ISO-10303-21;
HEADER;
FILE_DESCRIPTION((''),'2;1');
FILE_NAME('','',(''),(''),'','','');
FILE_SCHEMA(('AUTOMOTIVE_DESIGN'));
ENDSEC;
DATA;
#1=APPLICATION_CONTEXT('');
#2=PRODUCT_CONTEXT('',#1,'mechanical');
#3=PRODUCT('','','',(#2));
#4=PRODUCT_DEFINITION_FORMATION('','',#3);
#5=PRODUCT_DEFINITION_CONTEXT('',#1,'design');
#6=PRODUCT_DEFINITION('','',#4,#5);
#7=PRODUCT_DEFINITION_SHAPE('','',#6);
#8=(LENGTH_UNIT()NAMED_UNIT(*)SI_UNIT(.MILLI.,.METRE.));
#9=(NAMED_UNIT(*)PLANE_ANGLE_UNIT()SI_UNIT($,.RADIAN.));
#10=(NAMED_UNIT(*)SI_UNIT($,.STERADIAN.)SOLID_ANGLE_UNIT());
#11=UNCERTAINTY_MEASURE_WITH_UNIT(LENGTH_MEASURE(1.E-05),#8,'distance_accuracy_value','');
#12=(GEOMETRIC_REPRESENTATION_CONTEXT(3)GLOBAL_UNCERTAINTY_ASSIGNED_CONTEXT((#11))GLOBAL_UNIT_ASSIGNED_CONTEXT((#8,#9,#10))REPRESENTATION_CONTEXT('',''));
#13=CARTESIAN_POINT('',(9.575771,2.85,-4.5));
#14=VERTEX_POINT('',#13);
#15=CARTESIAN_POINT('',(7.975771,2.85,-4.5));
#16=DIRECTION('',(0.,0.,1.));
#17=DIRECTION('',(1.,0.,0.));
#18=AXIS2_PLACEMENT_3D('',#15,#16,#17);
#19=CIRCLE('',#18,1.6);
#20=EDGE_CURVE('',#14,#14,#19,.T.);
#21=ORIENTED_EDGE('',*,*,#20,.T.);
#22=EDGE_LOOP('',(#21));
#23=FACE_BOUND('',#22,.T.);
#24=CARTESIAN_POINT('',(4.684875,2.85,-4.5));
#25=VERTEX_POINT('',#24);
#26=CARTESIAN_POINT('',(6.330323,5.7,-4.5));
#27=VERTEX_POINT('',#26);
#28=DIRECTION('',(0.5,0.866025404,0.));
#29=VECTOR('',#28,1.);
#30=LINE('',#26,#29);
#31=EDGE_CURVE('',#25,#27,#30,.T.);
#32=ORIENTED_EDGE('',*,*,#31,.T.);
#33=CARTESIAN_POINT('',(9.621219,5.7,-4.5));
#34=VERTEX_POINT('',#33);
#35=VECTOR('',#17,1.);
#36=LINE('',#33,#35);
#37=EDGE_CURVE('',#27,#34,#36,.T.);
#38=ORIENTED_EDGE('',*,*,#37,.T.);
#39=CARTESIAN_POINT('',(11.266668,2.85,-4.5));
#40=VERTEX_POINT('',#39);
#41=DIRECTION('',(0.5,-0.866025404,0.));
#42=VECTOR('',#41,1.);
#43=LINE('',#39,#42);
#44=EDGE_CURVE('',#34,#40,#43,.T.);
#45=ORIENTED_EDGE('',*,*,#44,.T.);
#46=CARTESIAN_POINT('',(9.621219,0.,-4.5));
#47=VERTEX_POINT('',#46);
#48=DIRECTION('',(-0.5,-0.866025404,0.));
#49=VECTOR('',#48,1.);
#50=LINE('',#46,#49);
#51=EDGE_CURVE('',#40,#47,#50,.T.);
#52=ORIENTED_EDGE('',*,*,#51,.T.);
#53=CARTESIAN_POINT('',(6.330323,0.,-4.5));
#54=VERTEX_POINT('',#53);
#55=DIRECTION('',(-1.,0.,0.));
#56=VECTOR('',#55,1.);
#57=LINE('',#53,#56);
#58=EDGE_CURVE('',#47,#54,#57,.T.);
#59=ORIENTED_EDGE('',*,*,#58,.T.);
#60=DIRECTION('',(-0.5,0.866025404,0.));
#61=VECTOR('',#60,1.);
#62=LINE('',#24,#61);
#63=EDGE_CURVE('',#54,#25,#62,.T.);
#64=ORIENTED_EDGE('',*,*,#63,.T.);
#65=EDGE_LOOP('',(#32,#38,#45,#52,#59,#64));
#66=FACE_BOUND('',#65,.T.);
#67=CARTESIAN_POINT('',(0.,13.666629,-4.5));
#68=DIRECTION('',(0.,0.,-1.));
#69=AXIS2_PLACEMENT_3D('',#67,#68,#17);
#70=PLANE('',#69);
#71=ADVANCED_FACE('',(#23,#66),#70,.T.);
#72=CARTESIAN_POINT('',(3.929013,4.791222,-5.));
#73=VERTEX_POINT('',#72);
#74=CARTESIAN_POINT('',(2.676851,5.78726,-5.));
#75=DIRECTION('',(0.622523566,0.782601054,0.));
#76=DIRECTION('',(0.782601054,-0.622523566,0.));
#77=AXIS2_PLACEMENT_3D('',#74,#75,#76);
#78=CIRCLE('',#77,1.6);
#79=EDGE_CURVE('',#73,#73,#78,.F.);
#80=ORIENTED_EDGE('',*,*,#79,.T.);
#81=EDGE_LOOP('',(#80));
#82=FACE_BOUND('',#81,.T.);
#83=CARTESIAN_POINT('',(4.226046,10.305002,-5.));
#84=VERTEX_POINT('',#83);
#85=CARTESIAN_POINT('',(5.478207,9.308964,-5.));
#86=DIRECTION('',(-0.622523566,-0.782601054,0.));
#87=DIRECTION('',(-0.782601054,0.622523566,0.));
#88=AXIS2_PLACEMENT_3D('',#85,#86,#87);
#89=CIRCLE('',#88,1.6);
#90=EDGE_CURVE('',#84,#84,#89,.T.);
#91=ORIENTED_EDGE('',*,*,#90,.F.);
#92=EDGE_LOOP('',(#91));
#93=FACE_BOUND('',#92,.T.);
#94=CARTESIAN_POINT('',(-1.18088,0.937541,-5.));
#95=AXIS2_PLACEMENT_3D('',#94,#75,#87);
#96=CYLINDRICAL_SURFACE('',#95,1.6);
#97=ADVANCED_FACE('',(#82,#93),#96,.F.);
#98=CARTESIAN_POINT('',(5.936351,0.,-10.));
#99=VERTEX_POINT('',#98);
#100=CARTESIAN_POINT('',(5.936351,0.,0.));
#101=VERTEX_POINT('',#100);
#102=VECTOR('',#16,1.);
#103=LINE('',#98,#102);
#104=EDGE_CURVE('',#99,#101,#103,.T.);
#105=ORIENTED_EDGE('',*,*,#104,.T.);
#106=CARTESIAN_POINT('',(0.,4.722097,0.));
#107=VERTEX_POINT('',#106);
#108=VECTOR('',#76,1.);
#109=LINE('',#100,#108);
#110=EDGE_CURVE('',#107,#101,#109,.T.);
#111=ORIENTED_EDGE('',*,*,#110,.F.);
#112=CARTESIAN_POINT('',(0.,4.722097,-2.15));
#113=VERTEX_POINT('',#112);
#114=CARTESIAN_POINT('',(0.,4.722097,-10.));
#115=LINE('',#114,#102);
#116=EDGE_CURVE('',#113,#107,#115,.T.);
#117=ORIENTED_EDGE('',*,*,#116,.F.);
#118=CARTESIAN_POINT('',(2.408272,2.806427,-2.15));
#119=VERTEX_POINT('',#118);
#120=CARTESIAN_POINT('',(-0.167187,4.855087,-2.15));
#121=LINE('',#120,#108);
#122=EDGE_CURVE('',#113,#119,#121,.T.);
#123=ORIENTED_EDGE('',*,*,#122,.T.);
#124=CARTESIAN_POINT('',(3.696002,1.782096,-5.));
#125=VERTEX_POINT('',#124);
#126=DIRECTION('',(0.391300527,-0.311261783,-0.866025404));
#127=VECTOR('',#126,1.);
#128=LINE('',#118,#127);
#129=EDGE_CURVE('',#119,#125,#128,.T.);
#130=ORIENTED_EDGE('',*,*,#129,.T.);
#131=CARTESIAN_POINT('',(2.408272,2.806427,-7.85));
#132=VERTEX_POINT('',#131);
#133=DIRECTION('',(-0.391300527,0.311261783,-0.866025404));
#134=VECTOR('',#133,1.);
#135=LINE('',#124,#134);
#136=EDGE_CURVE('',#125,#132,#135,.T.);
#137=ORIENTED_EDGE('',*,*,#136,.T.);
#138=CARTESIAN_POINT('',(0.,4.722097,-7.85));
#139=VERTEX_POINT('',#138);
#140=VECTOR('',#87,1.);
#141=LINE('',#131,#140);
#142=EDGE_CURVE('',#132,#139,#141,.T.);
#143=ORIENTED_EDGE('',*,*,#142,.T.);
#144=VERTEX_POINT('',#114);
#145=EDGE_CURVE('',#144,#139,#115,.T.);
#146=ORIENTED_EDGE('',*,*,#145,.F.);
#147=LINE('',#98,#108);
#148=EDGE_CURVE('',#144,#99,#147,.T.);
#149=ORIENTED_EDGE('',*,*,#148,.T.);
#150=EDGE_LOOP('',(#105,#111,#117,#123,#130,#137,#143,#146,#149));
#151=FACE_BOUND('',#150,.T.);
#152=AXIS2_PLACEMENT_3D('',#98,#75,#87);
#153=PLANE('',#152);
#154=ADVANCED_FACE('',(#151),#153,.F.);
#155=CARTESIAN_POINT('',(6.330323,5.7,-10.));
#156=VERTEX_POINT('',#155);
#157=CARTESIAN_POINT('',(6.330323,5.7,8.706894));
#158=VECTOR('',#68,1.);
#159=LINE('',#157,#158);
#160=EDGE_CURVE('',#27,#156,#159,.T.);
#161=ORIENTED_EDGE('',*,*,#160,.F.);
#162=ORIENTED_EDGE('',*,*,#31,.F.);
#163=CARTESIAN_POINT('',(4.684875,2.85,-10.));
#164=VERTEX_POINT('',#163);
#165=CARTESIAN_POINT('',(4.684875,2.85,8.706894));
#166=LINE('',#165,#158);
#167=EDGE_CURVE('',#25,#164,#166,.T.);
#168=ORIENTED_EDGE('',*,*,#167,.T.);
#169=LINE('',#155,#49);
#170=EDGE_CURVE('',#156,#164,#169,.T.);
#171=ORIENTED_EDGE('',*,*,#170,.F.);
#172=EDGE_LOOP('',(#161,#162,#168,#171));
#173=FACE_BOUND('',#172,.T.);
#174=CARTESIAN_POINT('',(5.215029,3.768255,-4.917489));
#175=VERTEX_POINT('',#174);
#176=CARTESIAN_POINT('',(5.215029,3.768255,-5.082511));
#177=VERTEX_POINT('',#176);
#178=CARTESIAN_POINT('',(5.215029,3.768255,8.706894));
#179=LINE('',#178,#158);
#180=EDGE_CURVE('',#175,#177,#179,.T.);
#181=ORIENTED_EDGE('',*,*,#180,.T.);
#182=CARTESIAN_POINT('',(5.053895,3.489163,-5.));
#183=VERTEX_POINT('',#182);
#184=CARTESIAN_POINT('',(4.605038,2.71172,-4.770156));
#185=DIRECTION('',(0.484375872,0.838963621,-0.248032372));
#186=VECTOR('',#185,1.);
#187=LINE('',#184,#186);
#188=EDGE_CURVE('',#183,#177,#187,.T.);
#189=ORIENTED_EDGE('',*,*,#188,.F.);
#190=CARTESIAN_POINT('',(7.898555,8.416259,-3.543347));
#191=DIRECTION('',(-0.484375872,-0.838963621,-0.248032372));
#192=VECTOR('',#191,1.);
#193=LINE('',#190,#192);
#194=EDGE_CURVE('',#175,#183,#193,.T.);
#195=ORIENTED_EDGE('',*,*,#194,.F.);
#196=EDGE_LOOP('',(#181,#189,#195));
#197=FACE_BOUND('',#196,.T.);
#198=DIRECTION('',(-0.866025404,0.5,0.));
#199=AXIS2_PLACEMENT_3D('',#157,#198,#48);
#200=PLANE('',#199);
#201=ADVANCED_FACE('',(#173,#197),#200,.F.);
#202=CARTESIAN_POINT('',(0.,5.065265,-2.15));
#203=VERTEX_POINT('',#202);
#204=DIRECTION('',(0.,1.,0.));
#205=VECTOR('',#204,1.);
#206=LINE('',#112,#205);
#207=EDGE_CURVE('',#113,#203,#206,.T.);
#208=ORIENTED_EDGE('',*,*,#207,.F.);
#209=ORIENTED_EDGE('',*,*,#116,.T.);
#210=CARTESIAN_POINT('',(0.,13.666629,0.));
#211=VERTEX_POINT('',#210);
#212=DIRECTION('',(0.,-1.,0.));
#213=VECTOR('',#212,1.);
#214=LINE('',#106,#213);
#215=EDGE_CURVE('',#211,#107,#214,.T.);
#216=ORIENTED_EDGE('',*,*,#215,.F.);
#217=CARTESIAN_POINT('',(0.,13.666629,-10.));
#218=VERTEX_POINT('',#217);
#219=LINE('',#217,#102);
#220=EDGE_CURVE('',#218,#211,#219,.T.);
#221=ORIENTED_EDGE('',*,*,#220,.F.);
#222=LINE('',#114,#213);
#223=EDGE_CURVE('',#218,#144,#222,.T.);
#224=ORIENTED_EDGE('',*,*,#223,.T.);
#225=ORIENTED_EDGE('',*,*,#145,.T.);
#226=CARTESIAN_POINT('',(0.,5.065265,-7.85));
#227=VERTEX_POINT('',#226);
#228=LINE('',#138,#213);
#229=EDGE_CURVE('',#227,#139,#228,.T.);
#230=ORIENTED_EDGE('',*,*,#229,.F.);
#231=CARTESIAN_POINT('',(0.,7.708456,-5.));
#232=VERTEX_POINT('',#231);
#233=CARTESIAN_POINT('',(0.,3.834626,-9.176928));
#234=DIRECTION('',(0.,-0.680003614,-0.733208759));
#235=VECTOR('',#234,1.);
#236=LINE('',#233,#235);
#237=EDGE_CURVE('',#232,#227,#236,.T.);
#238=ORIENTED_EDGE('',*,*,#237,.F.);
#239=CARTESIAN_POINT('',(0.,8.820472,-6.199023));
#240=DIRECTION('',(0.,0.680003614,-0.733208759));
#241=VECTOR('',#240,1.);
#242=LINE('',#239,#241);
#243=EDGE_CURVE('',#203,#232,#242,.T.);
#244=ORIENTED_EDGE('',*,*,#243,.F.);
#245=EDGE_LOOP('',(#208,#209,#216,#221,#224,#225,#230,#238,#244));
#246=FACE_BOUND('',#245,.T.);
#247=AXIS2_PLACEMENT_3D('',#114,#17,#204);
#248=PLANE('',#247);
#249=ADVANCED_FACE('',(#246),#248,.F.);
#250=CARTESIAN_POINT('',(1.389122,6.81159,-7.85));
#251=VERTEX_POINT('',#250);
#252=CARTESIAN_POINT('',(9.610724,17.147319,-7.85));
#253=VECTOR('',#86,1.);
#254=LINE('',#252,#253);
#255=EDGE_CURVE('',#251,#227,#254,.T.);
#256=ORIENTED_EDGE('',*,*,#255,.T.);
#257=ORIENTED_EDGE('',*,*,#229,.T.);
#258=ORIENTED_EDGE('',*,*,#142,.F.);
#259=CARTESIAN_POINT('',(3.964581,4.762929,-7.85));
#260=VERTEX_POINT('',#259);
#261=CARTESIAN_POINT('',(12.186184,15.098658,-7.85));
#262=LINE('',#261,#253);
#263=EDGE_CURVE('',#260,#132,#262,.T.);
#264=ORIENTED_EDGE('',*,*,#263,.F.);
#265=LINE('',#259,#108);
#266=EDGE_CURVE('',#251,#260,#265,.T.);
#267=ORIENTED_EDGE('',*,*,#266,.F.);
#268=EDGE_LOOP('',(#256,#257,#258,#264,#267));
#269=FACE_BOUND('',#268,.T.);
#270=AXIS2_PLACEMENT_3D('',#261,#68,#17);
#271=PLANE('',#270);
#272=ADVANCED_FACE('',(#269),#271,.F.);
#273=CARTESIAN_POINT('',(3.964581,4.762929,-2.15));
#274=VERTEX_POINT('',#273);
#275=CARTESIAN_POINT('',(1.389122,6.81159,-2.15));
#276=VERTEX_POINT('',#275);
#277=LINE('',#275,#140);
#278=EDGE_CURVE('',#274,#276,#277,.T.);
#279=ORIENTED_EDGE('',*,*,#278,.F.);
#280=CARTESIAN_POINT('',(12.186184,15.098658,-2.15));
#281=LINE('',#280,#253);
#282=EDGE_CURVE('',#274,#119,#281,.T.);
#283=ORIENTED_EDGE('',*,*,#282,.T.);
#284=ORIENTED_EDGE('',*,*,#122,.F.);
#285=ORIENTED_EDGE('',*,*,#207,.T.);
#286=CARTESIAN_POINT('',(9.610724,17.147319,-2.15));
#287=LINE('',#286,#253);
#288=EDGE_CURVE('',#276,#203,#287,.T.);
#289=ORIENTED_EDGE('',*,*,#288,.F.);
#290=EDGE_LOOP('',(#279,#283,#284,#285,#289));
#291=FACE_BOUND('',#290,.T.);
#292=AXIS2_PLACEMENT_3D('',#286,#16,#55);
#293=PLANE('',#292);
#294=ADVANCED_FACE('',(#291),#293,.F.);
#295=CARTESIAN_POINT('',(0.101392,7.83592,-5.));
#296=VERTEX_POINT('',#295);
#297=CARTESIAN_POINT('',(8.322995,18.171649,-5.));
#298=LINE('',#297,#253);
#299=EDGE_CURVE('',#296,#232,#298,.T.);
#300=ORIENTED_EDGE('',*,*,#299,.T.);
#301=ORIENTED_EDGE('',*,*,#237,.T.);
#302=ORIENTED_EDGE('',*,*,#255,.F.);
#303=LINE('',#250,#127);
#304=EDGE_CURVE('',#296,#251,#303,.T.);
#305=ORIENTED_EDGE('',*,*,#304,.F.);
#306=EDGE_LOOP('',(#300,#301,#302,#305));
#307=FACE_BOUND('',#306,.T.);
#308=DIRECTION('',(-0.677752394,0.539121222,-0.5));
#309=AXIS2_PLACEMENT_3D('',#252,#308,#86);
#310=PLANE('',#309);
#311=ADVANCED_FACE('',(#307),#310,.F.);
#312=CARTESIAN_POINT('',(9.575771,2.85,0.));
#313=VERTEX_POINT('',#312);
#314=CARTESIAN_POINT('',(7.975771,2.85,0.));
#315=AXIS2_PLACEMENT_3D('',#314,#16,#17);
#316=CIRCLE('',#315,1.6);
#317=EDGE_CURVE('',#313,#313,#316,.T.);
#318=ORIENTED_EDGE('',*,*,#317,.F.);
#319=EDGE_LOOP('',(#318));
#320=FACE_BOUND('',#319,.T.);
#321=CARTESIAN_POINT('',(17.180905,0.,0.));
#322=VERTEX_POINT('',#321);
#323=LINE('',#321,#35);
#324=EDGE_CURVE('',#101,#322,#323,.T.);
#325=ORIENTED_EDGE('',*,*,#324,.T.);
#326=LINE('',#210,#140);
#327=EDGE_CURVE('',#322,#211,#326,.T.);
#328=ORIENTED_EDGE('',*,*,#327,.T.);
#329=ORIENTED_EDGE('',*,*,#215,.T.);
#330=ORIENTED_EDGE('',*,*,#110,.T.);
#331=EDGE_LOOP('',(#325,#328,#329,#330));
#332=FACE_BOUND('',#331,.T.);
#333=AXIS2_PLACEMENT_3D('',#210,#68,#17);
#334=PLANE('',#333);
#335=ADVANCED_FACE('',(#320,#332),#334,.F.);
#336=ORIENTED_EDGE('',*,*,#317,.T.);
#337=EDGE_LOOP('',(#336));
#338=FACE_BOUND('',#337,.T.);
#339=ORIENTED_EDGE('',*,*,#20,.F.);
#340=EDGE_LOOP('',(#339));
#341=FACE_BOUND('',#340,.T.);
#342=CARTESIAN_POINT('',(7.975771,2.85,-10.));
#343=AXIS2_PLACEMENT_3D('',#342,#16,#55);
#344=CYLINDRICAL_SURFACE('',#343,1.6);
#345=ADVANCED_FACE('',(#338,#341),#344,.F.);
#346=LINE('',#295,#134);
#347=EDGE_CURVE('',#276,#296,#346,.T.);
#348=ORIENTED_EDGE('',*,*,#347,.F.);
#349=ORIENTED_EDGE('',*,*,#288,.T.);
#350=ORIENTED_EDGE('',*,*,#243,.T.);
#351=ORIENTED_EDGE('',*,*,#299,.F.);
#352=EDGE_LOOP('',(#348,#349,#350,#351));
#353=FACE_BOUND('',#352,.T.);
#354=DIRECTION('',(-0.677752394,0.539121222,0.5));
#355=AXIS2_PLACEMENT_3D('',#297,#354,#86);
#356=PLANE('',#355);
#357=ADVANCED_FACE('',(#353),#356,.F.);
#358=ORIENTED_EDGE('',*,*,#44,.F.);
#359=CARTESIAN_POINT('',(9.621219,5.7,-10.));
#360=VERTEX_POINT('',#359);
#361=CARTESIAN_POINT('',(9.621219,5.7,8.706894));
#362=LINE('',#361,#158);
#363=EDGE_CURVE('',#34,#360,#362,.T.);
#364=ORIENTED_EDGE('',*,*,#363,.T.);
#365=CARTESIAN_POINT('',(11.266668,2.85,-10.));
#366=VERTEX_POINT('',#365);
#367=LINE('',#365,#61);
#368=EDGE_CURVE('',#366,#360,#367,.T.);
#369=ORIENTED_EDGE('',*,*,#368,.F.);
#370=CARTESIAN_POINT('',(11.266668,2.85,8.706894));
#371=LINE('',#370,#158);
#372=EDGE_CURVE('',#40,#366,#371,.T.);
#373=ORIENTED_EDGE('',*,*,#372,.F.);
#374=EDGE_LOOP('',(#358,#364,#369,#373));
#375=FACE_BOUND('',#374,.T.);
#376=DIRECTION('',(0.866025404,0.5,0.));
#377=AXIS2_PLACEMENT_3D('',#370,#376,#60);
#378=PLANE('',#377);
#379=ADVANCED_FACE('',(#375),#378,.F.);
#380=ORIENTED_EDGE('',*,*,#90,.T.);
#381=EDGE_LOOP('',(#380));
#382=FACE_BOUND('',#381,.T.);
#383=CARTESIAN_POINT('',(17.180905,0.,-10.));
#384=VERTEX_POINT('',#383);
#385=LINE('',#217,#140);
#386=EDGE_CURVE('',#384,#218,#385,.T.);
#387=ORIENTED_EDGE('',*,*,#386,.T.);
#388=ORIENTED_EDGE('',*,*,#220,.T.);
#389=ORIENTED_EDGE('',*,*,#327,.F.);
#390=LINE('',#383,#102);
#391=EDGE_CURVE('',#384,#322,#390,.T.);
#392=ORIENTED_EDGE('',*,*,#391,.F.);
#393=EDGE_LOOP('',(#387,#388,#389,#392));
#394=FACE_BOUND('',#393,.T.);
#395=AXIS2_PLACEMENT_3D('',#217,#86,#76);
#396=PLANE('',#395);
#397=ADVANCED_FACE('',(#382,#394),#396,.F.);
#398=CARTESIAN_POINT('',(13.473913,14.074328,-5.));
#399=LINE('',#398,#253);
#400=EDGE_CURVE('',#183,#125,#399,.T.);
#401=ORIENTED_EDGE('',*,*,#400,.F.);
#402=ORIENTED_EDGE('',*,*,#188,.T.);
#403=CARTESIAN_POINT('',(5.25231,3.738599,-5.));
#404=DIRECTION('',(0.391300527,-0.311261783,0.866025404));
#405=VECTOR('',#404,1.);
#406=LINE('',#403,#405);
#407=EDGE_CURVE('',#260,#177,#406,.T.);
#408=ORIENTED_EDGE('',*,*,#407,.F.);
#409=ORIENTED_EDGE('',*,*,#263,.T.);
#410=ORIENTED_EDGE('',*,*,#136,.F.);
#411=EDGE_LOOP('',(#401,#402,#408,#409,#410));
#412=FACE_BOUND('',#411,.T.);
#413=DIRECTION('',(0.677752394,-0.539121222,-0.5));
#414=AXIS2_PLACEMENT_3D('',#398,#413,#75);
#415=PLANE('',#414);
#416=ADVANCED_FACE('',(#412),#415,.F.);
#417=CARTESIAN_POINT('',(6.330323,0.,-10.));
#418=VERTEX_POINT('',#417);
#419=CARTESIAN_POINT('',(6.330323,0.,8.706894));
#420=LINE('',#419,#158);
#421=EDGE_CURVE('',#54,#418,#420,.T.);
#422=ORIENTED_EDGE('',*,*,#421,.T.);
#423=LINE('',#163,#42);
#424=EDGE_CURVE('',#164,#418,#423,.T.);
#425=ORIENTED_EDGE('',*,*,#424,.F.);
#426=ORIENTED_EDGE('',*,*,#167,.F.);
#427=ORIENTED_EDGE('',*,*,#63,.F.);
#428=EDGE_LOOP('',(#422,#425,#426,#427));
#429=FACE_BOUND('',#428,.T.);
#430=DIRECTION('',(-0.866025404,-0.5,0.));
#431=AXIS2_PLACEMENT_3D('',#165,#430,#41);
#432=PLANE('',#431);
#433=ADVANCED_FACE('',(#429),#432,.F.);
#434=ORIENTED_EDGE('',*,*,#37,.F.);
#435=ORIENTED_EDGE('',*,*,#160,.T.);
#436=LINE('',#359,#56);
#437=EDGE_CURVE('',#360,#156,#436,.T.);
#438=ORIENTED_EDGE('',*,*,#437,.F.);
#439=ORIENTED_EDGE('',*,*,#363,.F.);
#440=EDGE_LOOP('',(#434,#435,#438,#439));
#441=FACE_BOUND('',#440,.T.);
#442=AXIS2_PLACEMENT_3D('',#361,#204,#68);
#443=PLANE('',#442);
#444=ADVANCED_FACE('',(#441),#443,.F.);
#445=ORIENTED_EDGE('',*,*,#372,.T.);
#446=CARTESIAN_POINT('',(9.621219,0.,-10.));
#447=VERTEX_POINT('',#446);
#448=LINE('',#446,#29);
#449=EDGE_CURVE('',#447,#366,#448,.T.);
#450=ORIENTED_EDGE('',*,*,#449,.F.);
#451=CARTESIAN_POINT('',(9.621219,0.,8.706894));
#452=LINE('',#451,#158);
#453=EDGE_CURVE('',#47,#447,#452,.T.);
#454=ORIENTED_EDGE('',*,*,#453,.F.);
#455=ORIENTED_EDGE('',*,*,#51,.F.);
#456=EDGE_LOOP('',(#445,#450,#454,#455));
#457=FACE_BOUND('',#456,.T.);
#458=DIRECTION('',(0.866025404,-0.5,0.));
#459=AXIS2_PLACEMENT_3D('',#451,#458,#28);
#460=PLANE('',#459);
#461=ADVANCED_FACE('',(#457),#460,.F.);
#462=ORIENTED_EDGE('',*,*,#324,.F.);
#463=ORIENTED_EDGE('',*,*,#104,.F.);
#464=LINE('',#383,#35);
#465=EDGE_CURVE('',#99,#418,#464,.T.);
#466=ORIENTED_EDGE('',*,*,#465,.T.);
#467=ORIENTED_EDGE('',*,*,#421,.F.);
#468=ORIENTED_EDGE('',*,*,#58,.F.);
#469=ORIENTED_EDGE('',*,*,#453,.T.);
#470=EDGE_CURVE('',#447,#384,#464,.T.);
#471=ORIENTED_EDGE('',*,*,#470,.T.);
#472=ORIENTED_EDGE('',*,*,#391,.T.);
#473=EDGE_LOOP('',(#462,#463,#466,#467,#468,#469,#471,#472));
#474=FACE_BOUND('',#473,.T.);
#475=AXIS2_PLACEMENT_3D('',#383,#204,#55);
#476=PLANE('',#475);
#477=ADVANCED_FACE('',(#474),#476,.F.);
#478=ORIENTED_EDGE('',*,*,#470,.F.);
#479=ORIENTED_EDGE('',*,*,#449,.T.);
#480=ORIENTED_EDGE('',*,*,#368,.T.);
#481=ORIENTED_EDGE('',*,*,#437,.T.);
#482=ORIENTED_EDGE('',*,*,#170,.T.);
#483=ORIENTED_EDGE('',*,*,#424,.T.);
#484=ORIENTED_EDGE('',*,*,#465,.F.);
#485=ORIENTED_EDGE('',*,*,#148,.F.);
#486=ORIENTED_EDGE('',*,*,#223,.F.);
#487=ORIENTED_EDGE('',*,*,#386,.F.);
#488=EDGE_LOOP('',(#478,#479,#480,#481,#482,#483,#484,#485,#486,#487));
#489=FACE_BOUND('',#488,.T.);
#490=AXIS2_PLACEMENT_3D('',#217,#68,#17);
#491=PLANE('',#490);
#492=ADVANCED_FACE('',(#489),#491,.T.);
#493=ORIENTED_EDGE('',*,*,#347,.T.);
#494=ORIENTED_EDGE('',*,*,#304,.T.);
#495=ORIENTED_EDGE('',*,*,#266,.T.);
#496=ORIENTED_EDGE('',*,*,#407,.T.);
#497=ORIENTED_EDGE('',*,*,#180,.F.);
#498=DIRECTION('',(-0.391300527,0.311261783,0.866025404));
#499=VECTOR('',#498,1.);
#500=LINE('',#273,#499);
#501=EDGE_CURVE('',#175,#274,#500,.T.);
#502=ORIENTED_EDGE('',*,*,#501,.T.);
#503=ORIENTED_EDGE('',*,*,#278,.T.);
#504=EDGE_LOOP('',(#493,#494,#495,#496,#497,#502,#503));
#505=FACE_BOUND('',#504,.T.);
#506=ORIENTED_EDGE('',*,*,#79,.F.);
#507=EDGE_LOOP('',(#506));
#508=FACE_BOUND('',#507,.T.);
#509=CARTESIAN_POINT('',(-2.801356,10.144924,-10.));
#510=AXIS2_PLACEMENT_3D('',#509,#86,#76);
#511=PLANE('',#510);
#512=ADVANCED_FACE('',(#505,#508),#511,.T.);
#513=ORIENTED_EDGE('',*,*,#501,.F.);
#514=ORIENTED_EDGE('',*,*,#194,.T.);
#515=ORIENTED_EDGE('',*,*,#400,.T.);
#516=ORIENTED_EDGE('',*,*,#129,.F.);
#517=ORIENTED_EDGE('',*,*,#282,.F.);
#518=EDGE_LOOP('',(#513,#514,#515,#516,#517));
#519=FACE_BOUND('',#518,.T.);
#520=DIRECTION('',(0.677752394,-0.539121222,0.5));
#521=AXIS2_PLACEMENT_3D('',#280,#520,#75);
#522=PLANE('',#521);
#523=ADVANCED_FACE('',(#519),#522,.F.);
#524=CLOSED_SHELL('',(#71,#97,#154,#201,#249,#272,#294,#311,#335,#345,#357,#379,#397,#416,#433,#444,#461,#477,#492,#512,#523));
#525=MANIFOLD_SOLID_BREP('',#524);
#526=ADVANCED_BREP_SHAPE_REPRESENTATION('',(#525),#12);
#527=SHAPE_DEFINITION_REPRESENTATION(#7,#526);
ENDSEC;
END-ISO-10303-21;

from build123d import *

# Parameters (mm, degrees)
CROQUIS1_R              = 1.6
SALIENTE_EXTRUIR1_DEPTH = 10
CORTAR_EXTRUIR1_DEPTH   = 5.5
CORTAR_EXTRUIR2_REACH   = 12.696
CROQUIS3_R              = 1.6
CORTAR_EXTRUIR3_DEPTH   = 2.5


with BuildPart() as part:
    # Croquis1 → Saliente-Extruir1 (new body)
    with BuildSketch(Plane.XY):
        Polygon((17.180905327, 0), (5.936351089, 0), (0, 4.722097457), (0, 13.666629237), align=None)
        with Locations((7.975771065, 2.85)):
            Circle(CROQUIS1_R, mode=Mode.SUBTRACT)
    extrude(amount=SALIENTE_EXTRUIR1_DEPTH)

    # Croquis2 → Cortar-Extruir1 (cut)
    with BuildSketch(Plane.XY.offset(10)):
        Polygon((6.330322798, 0), (9.621219332, 0), (11.2666676, 2.85), (9.621219332, 5.7), (6.330322798, 5.7), (4.684874531, 2.85), align=None)
    extrude(amount=-CORTAR_EXTRUIR1_DEPTH, mode=Mode.SUBTRACT)

    # Croquis3 → Cortar-Extruir2 (cut, up to next)
    with BuildSketch(Plane(origin=(6.658212283, 8.370324012, 0), x_dir=(0.782601054, -0.622523566, 0), z_dir=(0.622523566, 0.782601054, 0)), mode=Mode.PRIVATE) as cortar_extruir2_sk1:
        with Locations((-1.507798766, -5)):
            Circle(CROQUIS3_R)
    cortar_extruir2_tool1 = extrude(cortar_extruir2_sk1.sketch, amount=-CORTAR_EXTRUIR2_REACH, mode=Mode.PRIVATE) & part.part
    add(cortar_extruir2_tool1.solids().sort_by_distance((5.478207, 9.308964, 5))[0], mode=Mode.SUBTRACT)

    # Croquis4 → Cortar-Extruir3 (cut)
    with BuildSketch(Plane(origin=(2.300547322, 2.892116633, 0), x_dir=(0.782601054, -0.622523566, 0), z_dir=(-0.622523566, -0.782601054, 0))):
        Polygon((1.783097769, 5), (0.137649502, 7.85), (-3.153247033, 7.85), (-4.7986953, 5), (-3.153247033, 2.15), (0.137649502, 2.15), align=None)
    extrude(amount=-CORTAR_EXTRUIR3_DEPTH, mode=Mode.SUBTRACT)


with BuildPart() as body_2:
    # Simetría1: mirrored copy
    add(part.part.mirror(Plane(origin=(0, 13.666629237, 0), x_dir=(1, 0, 0), z_dir=(0, 0, 1))))


solid = body_2.part
